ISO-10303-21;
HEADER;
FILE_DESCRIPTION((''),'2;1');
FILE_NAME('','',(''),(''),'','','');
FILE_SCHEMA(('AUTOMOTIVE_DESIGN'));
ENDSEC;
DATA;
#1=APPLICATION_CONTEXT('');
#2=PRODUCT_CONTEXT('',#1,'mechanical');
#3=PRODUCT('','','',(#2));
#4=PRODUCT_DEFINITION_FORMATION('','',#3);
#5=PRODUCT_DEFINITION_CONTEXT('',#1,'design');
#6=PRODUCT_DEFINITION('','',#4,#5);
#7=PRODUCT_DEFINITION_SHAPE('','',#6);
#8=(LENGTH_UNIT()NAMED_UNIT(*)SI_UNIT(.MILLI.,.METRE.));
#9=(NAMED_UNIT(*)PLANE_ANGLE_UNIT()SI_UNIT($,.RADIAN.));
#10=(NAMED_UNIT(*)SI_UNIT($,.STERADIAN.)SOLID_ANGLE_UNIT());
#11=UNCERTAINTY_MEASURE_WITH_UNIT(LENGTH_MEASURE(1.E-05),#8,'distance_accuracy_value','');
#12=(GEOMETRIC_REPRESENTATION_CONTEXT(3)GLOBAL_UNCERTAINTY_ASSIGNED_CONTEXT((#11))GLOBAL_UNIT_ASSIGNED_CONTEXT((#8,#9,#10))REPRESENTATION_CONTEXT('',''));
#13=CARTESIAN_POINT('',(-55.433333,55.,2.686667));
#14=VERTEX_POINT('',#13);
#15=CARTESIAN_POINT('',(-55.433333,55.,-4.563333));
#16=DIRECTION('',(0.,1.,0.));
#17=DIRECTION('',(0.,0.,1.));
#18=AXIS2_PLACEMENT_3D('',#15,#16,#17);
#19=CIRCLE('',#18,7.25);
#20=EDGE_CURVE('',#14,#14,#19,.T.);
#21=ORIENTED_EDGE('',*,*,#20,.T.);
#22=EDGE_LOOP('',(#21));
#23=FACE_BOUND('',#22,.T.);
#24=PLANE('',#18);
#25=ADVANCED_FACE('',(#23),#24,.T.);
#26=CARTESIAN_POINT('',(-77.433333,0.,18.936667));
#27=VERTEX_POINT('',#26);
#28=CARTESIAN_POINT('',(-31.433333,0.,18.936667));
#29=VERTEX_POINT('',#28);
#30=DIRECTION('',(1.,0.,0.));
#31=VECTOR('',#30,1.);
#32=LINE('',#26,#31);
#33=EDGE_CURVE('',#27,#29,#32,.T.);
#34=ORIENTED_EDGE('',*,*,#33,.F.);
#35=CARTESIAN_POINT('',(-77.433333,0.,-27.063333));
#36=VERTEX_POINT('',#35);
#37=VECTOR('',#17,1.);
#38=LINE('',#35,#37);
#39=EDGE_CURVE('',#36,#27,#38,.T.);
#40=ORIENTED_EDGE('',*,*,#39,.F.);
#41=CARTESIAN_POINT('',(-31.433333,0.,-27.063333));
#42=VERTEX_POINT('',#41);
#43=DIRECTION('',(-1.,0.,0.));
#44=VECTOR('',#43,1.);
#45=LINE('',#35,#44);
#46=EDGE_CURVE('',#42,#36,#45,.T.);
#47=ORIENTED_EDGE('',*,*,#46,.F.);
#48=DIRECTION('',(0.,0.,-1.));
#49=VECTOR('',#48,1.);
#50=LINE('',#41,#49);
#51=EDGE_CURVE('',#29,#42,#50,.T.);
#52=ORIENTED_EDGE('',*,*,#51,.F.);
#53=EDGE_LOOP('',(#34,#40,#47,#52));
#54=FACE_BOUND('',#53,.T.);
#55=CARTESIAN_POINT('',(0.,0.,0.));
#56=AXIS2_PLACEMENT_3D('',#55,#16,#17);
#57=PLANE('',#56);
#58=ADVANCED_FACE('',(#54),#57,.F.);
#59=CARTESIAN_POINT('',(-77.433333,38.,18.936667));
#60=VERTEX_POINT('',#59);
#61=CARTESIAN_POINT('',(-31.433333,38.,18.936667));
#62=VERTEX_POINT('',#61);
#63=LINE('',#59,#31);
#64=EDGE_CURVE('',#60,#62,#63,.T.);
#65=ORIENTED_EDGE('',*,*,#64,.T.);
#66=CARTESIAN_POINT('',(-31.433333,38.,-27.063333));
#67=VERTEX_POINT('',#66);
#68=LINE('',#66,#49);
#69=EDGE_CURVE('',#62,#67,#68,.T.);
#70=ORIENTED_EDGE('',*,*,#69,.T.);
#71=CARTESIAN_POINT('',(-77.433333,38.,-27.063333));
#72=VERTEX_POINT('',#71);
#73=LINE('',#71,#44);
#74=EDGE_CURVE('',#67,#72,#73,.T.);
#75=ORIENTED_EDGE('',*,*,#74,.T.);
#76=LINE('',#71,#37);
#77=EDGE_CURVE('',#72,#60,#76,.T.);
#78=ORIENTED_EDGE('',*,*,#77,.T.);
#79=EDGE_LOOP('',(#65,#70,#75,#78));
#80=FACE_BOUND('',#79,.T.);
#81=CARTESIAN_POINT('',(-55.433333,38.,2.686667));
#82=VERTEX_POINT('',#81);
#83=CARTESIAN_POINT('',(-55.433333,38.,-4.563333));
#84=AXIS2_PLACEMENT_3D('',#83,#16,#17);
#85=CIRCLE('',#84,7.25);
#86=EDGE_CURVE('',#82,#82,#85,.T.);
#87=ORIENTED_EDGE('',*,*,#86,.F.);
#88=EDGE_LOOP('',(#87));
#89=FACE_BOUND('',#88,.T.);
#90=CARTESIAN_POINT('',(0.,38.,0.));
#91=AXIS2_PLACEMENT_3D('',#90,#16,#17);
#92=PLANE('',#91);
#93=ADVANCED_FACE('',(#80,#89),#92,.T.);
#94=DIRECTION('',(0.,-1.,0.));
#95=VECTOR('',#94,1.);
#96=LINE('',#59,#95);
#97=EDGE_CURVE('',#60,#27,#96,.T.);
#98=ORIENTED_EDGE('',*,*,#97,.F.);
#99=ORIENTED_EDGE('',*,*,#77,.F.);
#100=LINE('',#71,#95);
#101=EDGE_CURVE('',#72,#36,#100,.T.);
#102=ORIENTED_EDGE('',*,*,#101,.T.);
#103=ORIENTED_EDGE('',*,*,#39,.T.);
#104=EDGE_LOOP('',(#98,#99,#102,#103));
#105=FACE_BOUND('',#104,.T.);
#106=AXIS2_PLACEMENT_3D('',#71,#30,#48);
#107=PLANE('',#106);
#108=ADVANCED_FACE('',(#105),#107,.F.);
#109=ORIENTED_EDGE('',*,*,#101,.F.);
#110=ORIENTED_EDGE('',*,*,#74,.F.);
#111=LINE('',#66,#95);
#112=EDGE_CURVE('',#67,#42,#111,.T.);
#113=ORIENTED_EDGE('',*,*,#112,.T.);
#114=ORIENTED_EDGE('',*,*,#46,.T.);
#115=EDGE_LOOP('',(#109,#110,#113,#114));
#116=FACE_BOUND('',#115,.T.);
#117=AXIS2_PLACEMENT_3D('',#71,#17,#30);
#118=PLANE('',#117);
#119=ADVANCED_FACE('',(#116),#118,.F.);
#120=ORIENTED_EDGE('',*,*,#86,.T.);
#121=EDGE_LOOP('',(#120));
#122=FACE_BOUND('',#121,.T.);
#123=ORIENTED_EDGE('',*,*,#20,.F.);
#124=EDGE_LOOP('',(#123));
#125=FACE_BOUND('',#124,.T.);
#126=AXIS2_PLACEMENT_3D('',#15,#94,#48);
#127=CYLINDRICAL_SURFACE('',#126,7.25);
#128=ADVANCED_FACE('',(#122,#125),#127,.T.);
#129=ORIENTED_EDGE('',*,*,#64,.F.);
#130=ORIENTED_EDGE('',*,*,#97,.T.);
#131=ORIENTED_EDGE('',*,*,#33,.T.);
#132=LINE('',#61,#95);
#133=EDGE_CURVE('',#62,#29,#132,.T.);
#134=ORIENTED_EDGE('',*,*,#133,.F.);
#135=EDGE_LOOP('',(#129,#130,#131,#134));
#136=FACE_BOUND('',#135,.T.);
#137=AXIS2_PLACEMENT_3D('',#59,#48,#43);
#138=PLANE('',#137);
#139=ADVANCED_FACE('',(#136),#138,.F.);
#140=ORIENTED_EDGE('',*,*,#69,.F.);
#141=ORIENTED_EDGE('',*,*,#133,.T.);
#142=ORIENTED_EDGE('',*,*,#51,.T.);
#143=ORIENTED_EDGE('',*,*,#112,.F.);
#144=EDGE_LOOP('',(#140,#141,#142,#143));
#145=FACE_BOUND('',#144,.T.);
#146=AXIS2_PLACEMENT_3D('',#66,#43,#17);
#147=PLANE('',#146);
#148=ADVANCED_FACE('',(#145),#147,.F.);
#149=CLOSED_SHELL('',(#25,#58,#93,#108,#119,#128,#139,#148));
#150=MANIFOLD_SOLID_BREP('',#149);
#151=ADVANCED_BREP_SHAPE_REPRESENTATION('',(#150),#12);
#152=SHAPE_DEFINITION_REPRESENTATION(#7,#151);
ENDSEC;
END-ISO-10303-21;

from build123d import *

# Parameters (mm, degrees)
ESQUISSE1_W        = 46
ESQUISSE1_H        = 46
BOSS_EXTRU_1_DEPTH = 38
ESQUISSE2_R        = 7.25
BOSS_EXTRU_2_DEPTH = 17


with BuildPart() as part:
    # Esquisse1 → Boss.-Extru.1 (new body)
    with BuildSketch(Plane(origin=(0, 0, 0), x_dir=(1, 0, 0), z_dir=(0, 1, 0))):
        with Locations((-54.433333333, 4.063333333)):
            Rectangle(ESQUISSE1_W, ESQUISSE1_H)
    extrude(amount=BOSS_EXTRU_1_DEPTH)

    # Esquisse2 → Boss.-Extru.2 (add)
    with BuildSketch(Plane(origin=(0, 38, 0), x_dir=(1, 0, 0), z_dir=(0, 1, 0))):
        with Locations(Location((-55.433333333, 4.563333333, 0), (0, 0, 270))):
            Circle(ESQUISSE2_R)
    extrude(amount=BOSS_EXTRU_2_DEPTH)


solid = part.part
